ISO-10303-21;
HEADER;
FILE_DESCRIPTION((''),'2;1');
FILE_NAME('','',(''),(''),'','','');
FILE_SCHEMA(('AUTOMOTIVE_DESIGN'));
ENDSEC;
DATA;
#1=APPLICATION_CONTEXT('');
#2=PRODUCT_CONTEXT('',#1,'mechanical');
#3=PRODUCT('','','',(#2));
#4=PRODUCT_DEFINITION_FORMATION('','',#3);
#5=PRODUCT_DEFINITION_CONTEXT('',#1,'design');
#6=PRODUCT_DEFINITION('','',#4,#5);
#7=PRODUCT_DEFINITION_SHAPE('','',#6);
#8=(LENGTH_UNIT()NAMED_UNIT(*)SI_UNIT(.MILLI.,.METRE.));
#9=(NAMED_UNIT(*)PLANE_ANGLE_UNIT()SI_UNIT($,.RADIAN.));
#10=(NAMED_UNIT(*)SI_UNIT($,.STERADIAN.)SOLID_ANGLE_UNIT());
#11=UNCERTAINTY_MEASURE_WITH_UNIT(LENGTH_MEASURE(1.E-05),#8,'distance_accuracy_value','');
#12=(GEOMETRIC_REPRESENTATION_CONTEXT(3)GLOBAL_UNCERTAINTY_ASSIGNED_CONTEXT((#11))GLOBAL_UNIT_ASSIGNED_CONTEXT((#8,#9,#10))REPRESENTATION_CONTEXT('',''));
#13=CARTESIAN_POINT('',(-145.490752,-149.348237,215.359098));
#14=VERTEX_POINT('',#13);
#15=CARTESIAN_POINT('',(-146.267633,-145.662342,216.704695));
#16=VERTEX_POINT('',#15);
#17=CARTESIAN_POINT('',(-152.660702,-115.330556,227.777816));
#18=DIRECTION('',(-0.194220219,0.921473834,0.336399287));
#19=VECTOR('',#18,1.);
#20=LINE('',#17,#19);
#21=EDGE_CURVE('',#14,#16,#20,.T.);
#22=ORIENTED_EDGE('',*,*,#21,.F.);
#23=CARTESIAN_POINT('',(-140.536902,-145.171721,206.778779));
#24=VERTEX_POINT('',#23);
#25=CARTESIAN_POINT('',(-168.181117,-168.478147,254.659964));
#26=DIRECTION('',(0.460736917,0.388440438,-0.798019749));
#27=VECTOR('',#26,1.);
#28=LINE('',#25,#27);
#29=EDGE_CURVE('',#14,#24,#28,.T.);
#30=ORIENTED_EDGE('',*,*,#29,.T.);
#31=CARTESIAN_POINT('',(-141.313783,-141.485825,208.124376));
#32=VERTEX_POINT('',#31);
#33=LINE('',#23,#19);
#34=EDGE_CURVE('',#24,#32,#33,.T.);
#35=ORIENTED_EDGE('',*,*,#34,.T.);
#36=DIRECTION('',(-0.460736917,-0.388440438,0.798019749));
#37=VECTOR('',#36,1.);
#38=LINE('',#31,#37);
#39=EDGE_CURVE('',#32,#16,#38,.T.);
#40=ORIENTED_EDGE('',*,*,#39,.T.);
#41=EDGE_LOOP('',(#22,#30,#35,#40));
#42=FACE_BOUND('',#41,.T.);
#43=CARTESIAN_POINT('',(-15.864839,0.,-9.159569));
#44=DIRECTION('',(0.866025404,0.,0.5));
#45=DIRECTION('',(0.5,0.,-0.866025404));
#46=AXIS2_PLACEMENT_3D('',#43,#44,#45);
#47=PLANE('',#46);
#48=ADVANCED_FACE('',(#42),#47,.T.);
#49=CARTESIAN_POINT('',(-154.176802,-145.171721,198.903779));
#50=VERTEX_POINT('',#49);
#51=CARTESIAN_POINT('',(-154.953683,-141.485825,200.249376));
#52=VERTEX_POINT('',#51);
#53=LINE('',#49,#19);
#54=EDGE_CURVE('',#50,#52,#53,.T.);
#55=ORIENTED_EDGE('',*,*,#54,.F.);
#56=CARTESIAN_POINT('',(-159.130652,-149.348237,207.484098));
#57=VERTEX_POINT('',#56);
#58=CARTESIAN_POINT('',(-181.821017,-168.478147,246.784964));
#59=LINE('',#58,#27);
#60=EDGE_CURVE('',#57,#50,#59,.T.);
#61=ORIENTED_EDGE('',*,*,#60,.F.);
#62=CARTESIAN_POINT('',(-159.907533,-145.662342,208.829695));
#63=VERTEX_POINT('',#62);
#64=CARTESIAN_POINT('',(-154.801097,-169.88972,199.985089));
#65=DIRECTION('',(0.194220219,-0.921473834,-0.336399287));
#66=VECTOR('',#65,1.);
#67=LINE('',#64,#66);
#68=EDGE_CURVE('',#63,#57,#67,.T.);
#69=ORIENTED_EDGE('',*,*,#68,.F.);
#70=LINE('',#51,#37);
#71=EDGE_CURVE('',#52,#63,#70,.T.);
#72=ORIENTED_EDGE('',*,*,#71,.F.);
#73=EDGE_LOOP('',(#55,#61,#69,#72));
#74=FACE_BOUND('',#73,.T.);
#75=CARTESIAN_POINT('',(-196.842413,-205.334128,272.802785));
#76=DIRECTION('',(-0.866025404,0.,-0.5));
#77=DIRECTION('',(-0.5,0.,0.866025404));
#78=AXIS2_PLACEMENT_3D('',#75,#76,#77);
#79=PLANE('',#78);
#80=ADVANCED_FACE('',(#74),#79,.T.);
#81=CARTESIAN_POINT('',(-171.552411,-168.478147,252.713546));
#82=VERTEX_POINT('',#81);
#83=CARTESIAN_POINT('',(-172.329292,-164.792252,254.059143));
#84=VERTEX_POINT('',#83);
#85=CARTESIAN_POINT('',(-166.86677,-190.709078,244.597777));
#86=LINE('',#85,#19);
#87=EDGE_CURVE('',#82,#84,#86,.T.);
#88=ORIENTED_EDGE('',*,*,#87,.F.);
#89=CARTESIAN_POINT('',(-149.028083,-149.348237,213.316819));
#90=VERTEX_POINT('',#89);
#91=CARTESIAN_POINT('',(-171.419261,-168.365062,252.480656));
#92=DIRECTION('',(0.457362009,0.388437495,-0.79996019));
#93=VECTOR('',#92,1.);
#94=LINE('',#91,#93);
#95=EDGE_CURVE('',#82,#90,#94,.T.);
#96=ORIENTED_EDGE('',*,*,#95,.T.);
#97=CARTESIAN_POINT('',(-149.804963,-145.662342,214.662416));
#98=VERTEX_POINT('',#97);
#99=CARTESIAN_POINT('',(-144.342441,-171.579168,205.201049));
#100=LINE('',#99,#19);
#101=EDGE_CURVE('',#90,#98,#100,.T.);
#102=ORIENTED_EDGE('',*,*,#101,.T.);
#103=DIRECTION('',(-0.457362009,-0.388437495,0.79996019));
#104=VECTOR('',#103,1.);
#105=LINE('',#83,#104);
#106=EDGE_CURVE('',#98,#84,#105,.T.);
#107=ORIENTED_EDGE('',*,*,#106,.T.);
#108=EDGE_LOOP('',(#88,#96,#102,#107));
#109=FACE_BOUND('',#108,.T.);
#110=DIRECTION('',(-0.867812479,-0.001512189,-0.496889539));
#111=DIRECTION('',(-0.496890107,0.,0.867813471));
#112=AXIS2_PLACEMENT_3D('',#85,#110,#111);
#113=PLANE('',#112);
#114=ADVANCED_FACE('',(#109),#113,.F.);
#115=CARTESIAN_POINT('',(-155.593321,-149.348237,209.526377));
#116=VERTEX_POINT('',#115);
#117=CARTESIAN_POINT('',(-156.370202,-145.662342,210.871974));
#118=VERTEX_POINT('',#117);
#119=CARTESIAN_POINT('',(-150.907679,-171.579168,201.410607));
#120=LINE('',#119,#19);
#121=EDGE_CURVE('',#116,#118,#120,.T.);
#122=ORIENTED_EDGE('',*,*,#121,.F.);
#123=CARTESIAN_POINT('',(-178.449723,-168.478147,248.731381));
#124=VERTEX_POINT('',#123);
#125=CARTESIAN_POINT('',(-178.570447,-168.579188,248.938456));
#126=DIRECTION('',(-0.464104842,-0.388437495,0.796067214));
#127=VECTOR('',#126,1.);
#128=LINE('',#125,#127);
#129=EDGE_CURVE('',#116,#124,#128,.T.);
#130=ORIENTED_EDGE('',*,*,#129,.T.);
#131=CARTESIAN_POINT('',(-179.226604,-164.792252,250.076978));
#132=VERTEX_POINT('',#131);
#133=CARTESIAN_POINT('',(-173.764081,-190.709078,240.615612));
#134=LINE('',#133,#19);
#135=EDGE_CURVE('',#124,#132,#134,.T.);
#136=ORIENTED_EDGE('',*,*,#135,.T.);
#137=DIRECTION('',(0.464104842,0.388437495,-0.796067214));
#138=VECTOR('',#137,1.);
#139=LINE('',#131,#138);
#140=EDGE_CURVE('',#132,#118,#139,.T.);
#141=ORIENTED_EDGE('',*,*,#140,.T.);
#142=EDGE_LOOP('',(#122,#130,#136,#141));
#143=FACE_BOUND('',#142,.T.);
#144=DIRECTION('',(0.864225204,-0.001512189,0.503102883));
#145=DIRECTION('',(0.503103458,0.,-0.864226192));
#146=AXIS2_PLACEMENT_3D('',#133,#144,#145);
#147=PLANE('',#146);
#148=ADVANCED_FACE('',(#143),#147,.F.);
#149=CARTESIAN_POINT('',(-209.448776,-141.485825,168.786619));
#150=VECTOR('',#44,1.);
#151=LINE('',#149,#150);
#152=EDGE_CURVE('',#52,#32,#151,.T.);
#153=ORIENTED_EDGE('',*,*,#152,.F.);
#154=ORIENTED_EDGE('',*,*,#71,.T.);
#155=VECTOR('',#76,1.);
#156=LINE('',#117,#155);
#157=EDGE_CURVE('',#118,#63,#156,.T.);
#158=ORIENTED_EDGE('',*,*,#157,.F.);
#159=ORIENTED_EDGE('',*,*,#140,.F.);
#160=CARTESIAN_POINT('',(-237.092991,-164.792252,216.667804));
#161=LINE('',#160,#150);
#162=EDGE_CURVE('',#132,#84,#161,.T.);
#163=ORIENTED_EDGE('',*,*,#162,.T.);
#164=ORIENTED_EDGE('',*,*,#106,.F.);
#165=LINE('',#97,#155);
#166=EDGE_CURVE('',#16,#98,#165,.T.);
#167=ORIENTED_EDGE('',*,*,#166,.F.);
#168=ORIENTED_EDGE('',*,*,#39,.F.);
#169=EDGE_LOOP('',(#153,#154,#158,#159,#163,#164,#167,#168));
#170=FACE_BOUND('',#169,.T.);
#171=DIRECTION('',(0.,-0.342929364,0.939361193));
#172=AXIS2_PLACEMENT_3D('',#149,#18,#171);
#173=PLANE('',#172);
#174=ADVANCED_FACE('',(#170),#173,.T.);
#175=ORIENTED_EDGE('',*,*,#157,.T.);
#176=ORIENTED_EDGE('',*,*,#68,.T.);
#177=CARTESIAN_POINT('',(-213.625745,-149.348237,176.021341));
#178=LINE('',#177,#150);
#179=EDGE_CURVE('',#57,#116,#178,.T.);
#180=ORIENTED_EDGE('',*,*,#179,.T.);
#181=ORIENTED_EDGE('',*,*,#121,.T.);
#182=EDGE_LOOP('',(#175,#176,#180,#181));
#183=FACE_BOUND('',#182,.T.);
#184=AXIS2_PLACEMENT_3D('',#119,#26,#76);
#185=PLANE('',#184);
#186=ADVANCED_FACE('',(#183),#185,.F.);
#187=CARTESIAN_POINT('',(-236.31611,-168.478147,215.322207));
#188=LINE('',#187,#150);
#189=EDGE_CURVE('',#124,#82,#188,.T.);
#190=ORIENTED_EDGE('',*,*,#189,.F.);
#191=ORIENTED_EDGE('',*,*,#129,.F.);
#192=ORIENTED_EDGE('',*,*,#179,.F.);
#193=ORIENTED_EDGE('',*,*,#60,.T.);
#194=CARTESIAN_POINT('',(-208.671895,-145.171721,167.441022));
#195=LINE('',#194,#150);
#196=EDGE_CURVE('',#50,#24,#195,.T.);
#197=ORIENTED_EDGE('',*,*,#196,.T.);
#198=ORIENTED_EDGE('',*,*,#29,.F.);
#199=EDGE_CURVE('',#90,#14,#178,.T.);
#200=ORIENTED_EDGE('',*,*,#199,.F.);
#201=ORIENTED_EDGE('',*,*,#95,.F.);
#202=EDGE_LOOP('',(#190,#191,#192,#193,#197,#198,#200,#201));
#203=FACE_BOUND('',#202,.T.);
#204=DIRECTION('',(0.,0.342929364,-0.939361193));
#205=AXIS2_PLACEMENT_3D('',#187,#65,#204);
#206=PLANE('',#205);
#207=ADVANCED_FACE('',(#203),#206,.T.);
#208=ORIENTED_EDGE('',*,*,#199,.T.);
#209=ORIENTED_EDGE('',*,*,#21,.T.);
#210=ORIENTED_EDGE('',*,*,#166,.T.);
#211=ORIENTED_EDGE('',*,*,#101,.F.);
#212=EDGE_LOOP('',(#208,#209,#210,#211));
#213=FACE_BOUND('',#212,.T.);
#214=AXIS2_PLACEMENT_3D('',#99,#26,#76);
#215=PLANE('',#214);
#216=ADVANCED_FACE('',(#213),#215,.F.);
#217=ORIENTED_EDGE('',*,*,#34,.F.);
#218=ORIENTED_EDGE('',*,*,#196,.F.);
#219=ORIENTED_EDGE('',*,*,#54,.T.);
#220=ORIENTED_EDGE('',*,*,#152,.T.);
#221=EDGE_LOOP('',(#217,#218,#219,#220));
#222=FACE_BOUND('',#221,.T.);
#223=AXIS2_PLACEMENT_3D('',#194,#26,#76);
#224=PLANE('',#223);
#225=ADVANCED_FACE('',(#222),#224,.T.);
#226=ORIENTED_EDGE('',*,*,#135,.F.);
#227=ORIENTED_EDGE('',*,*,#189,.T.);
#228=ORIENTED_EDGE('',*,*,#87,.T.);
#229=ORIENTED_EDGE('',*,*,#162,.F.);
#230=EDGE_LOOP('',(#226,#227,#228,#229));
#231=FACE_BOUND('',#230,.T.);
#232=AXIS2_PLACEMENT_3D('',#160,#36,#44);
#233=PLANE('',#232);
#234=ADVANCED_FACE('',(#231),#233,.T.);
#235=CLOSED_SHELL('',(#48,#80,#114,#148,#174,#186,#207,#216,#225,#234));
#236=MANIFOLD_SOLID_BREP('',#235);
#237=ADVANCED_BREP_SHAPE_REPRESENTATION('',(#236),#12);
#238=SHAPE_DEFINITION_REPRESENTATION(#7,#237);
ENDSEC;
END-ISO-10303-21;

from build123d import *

# Parameters (mm, degrees)
BOSS_EXTRUDE1_DEPTH = 15.75
CUT_EXTRUDE1_DEPTH  = 29.12540638


with BuildPart() as part:
    # Sketch1 → Boss-Extrude1 (new body)
    with BuildSketch(Plane(origin=(-15.864839006, 0, -9.159569071), x_dir=(0.5, 0, -0.866025404), z_dir=(0.866025404, 0, 0.5))):
        Polygon((-250.897888289, -141.485825414), (-306.1863183, -164.792251717), (-304.632556546, -168.478147051), (-249.344126536, -145.171720748), align=None)
    extrude(amount=-BOSS_EXTRUDE1_DEPTH)

    # Sketch2 → Cut-Extrude1 (cut, through all)
    with BuildSketch(Plane(origin=(6.393069309, -30.331785785, -11.073120859), x_dir=(0.980957953, 0.182442937, 0.066603816), z_dir=(-0.194220219, 0.921473834, 0.336399287))):
        Polygon((-192.659600657, -289.596321832), (-189.22286398, -291.424710992), (-165.922780405, -248.036843291), (-175.386750656, -243.001886517), (-198.517574459, -286.479802644), align=None)
        Polygon((-149.766129503, -256.632394287), (-172.896953306, -300.110310414), (-178.754927107, -296.993791227), (-182.191663785, -295.165402067), (-159.230099754, -251.597437512), align=None)
    extrude(amount=-CUT_EXTRUDE1_DEPTH, mode=Mode.SUBTRACT)


solid = part.part
